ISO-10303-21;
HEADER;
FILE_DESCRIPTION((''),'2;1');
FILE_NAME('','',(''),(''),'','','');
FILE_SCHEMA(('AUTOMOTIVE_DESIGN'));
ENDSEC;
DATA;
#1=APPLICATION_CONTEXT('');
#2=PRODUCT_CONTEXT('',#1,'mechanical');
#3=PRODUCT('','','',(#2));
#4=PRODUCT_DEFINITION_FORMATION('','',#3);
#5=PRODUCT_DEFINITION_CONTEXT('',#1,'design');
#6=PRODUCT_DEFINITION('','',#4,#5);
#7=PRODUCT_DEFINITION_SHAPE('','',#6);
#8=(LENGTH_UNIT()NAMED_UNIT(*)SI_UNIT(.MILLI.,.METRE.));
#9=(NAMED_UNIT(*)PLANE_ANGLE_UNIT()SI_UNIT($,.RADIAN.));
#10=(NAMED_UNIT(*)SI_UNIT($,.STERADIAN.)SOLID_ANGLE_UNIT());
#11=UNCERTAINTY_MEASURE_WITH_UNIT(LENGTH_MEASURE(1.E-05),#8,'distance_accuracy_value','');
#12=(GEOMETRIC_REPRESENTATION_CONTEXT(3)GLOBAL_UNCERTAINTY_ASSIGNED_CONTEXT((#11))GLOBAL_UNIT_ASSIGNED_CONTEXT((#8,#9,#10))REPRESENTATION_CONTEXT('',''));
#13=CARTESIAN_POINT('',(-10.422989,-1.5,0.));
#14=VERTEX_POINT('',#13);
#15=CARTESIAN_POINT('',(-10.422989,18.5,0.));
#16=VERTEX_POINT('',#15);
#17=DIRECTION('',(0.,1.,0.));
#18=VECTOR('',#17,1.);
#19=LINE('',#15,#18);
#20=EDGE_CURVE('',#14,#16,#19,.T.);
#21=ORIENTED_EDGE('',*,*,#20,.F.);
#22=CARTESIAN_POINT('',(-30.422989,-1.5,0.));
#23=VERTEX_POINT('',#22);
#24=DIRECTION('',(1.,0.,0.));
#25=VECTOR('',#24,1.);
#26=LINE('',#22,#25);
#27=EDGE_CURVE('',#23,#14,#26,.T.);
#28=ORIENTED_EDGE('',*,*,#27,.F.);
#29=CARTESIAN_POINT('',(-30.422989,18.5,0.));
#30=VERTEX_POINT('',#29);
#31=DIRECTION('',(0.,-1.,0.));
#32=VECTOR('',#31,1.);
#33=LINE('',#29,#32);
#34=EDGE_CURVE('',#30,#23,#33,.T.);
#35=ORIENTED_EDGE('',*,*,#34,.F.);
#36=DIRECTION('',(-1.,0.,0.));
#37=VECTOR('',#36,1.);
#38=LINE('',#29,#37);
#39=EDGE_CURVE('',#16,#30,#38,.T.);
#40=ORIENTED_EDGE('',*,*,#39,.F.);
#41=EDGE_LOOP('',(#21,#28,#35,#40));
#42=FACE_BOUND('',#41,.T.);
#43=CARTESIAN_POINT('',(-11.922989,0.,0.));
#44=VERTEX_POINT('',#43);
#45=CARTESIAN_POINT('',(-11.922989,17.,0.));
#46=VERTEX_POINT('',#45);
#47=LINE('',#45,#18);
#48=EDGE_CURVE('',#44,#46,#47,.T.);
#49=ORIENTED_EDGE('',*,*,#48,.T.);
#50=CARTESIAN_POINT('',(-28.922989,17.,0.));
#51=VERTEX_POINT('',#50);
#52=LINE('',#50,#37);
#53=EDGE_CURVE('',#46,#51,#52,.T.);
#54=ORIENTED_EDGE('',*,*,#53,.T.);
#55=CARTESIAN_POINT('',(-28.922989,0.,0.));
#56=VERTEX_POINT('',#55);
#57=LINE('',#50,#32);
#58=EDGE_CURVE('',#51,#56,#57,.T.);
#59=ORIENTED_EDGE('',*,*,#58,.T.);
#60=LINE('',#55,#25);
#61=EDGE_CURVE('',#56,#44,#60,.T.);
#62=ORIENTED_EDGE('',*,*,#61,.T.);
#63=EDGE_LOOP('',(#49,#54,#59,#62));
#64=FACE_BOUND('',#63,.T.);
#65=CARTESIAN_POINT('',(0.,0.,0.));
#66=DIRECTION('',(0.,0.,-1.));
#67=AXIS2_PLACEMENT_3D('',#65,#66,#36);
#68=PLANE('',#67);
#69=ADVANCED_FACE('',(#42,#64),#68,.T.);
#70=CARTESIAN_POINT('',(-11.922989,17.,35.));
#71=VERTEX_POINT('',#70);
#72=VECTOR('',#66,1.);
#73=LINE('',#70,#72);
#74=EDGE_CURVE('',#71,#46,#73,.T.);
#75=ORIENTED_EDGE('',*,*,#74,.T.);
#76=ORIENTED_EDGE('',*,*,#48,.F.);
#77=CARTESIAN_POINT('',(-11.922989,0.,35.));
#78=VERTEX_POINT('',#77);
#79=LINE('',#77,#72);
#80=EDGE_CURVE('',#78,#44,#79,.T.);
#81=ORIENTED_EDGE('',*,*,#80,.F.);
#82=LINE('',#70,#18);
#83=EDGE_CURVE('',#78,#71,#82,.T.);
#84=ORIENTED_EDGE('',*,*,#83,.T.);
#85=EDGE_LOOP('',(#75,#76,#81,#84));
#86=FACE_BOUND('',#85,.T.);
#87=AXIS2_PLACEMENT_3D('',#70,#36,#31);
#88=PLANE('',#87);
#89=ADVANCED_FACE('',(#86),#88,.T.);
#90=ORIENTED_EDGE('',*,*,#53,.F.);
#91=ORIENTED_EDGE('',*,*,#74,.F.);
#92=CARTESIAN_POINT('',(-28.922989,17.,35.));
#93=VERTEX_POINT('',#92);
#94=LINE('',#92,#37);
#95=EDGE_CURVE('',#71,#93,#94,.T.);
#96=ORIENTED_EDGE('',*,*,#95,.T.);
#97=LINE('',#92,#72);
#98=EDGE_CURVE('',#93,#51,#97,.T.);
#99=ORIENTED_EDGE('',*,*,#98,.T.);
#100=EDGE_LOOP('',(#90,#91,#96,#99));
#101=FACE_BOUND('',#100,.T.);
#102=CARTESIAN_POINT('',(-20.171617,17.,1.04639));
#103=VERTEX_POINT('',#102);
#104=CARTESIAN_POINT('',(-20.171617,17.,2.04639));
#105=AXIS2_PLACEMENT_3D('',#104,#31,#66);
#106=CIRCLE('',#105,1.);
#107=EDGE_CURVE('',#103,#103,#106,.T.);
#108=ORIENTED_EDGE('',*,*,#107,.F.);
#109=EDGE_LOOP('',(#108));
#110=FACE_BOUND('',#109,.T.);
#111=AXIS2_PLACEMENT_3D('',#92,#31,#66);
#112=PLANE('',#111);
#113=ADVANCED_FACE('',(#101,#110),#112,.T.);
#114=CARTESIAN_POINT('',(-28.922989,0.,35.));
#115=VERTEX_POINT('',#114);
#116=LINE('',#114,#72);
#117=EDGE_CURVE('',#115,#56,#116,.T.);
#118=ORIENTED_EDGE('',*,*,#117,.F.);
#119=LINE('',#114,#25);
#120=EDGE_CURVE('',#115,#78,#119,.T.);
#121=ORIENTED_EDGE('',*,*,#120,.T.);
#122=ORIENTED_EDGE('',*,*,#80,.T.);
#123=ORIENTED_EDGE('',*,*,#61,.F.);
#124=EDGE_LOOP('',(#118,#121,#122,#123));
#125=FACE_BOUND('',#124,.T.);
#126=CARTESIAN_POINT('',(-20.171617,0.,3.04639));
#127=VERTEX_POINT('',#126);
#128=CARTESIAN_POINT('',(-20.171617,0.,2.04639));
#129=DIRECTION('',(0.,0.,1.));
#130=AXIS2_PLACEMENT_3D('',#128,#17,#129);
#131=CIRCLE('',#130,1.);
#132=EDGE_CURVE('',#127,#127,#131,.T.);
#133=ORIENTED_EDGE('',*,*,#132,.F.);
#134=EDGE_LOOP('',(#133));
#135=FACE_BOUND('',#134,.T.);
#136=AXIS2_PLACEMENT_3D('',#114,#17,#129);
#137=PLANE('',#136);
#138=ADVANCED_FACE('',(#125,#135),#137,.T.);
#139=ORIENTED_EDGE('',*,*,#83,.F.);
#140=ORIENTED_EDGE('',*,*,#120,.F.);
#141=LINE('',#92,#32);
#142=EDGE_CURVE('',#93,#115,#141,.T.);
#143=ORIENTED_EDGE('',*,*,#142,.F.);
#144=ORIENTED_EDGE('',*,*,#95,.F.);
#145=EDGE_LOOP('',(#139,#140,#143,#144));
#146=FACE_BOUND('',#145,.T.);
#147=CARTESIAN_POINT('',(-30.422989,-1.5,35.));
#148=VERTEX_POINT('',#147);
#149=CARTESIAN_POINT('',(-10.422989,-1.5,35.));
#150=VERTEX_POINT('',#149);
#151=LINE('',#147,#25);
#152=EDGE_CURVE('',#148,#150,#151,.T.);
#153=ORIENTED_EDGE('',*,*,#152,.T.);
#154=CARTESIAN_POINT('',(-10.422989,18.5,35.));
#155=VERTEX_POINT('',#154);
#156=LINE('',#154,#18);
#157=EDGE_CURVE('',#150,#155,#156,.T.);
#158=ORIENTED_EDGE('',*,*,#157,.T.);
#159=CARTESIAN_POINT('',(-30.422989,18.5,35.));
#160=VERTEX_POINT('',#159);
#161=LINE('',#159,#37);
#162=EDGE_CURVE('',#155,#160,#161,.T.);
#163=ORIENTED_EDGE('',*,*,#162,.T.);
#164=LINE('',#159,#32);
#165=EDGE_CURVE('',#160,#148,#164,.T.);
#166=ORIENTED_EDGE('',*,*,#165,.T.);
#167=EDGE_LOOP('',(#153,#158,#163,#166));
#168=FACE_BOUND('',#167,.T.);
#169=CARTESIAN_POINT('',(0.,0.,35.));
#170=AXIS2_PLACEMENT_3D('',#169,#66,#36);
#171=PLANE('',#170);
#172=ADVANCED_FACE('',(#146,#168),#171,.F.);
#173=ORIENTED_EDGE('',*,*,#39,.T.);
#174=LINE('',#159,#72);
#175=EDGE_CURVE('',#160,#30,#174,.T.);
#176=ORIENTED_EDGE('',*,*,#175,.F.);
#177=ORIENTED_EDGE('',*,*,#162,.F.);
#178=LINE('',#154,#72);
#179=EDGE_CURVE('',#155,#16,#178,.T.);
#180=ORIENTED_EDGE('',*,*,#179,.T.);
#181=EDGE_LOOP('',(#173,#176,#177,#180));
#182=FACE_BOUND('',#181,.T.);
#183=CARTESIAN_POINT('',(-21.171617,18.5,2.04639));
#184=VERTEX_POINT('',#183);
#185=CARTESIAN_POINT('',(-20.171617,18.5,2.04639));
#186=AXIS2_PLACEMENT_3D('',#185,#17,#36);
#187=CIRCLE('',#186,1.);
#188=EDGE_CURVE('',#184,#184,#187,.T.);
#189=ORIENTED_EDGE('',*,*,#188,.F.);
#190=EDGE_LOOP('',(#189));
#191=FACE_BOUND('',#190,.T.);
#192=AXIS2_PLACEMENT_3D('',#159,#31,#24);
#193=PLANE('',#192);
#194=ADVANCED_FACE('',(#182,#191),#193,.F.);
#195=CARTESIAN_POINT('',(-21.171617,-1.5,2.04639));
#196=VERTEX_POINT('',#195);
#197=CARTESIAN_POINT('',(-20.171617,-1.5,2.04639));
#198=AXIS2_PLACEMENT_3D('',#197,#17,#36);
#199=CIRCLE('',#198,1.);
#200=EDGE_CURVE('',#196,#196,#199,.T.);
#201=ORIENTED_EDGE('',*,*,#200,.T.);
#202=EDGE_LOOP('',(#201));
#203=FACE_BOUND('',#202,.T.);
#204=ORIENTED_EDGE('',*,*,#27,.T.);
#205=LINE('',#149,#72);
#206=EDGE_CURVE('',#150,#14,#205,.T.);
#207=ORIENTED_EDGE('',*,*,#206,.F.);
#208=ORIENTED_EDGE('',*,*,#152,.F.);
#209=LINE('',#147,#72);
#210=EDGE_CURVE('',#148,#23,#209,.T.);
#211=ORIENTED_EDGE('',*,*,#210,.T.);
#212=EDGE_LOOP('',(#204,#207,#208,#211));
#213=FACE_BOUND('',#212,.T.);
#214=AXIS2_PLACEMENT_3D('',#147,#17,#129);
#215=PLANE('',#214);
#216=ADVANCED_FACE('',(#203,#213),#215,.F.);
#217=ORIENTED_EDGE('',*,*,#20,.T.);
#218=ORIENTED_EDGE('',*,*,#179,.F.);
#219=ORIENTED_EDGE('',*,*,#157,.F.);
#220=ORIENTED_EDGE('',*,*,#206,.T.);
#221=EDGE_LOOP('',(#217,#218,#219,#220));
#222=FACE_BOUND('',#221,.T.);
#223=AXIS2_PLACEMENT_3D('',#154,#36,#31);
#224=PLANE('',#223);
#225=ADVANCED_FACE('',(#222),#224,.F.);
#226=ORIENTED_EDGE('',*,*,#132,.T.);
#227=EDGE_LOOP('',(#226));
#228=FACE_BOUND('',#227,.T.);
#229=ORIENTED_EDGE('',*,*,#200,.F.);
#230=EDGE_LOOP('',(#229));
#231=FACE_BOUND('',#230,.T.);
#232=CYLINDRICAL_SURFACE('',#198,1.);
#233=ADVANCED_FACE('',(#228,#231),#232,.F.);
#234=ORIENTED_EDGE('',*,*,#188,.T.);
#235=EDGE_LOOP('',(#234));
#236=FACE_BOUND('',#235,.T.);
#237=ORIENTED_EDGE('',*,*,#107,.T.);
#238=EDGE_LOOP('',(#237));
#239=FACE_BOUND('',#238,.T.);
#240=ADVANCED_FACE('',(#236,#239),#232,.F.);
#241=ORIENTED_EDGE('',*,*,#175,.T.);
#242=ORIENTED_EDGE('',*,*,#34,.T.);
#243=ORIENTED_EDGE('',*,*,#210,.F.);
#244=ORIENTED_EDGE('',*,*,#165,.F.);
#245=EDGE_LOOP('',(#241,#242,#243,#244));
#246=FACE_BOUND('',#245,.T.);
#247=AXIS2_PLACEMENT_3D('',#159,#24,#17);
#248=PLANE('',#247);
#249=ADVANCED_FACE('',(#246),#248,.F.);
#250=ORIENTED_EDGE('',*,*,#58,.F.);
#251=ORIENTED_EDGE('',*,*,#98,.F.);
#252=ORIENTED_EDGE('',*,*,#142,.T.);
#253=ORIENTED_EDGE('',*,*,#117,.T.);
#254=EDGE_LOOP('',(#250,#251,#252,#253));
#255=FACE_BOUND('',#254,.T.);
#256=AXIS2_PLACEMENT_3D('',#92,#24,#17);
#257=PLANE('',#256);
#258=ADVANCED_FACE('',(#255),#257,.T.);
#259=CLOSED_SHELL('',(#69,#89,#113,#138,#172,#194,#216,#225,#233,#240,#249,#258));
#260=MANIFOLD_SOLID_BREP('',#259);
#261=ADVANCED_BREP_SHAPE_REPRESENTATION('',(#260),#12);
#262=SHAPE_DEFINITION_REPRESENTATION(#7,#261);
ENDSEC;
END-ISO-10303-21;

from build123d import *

# Parameters (mm, degrees)
SZKIC1_W                    = 20
SZKIC1_H                    = 20
SZKIC1_W_2                  = 17
SZKIC1_H_2                  = 17
DODANIE_WYCI_GNI_CIE1_DEPTH = 35
SZKIC3_R                    = 1
WYTNIJ_WYCI_GNI_CIE1_DEPTH  = 51.503051903


with BuildPart() as part:
    # Szkic1 → Dodanie-wyciągnięcie1 (new body)
    with BuildSketch(Plane.XY):
        with Locations((-20.422988866, 8.5)):
            Rectangle(SZKIC1_W, SZKIC1_H)
        with Locations((-20.422988866, 8.5)):
            Rectangle(SZKIC1_W_2, SZKIC1_H_2, mode=Mode.SUBTRACT)
    extrude(amount=DODANIE_WYCI_GNI_CIE1_DEPTH)

    # Szkic3 → Wytnij-wyciągnięcie1 (cut, through all)
    with BuildSketch(Plane(origin=(0, 18.5, 0), x_dir=(1, 0, 0), z_dir=(0, 1, 0))):
        with Locations(Location((-20.171616984, -2.046389983, 0), (0, 0, 180))):
            Circle(SZKIC3_R)
    extrude(amount=-WYTNIJ_WYCI_GNI_CIE1_DEPTH, mode=Mode.SUBTRACT)


solid = part.part
